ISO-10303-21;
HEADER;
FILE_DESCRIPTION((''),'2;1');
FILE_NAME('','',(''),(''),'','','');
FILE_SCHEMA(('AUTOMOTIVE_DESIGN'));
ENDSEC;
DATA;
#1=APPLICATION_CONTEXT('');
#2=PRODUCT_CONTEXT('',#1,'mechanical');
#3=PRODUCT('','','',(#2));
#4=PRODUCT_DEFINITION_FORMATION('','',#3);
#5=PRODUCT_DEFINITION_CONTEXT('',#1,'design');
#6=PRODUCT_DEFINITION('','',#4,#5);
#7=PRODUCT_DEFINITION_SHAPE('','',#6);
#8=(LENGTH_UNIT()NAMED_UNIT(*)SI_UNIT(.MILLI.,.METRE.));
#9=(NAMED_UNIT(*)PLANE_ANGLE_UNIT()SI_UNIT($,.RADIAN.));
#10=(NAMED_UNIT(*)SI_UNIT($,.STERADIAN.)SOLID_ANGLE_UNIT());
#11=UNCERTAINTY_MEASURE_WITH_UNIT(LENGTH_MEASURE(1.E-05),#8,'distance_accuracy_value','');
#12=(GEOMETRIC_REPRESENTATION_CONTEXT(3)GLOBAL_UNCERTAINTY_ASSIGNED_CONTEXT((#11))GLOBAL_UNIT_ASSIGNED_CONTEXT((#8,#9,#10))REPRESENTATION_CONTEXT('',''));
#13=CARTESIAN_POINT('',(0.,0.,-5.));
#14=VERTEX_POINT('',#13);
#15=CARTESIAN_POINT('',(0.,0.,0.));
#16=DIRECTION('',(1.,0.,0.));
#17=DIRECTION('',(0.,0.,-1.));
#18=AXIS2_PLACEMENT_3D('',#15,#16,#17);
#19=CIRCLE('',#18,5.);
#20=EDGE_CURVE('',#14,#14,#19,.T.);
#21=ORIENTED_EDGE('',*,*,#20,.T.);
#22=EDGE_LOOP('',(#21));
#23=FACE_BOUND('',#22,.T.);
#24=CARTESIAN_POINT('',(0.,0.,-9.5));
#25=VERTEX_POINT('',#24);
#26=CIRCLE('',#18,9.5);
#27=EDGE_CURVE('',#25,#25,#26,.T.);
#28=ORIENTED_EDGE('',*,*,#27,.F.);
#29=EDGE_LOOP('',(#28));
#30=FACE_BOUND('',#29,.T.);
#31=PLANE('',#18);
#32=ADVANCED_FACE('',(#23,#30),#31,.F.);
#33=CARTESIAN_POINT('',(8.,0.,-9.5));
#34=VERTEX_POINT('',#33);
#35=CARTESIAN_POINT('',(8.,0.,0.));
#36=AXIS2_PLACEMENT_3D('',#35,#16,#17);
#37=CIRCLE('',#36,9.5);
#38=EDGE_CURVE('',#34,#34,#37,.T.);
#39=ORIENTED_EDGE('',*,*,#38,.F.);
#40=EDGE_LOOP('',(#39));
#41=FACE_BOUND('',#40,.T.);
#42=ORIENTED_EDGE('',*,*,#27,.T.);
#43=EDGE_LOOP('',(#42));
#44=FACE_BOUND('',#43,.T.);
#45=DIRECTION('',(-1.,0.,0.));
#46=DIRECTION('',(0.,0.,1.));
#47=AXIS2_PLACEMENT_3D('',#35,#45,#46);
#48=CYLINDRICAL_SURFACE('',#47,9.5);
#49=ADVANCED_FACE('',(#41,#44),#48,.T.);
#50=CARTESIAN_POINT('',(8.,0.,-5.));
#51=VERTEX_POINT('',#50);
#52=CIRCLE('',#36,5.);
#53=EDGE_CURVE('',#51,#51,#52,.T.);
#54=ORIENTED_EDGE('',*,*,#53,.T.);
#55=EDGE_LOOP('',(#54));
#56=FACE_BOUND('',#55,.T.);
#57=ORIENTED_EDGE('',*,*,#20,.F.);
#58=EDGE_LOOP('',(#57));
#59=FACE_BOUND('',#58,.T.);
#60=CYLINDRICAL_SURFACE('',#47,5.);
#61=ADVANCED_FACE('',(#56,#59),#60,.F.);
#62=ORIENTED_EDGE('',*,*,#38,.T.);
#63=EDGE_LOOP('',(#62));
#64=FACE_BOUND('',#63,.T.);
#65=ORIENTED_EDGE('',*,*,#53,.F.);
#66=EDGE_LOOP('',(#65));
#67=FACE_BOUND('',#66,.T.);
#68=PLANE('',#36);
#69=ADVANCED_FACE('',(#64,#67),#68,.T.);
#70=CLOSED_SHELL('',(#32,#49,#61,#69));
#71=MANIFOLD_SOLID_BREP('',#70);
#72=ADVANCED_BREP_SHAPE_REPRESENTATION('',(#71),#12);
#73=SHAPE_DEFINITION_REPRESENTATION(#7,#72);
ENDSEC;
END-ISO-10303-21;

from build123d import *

# Parameters (mm, degrees)
SKETCH1_R           = 9.5
SKETCH1_R_2         = 5
BOSS_EXTRUDE1_DEPTH = 8


with BuildPart() as part:
    # Sketch1 → Boss-Extrude1 (new body)
    with BuildSketch(Plane(origin=(0, 0, 0), x_dir=(0, 0, -1), z_dir=(1, 0, 0))):
        Circle(SKETCH1_R)
        Circle(SKETCH1_R_2, mode=Mode.SUBTRACT)
    extrude(amount=BOSS_EXTRUDE1_DEPTH)


solid = part.part
